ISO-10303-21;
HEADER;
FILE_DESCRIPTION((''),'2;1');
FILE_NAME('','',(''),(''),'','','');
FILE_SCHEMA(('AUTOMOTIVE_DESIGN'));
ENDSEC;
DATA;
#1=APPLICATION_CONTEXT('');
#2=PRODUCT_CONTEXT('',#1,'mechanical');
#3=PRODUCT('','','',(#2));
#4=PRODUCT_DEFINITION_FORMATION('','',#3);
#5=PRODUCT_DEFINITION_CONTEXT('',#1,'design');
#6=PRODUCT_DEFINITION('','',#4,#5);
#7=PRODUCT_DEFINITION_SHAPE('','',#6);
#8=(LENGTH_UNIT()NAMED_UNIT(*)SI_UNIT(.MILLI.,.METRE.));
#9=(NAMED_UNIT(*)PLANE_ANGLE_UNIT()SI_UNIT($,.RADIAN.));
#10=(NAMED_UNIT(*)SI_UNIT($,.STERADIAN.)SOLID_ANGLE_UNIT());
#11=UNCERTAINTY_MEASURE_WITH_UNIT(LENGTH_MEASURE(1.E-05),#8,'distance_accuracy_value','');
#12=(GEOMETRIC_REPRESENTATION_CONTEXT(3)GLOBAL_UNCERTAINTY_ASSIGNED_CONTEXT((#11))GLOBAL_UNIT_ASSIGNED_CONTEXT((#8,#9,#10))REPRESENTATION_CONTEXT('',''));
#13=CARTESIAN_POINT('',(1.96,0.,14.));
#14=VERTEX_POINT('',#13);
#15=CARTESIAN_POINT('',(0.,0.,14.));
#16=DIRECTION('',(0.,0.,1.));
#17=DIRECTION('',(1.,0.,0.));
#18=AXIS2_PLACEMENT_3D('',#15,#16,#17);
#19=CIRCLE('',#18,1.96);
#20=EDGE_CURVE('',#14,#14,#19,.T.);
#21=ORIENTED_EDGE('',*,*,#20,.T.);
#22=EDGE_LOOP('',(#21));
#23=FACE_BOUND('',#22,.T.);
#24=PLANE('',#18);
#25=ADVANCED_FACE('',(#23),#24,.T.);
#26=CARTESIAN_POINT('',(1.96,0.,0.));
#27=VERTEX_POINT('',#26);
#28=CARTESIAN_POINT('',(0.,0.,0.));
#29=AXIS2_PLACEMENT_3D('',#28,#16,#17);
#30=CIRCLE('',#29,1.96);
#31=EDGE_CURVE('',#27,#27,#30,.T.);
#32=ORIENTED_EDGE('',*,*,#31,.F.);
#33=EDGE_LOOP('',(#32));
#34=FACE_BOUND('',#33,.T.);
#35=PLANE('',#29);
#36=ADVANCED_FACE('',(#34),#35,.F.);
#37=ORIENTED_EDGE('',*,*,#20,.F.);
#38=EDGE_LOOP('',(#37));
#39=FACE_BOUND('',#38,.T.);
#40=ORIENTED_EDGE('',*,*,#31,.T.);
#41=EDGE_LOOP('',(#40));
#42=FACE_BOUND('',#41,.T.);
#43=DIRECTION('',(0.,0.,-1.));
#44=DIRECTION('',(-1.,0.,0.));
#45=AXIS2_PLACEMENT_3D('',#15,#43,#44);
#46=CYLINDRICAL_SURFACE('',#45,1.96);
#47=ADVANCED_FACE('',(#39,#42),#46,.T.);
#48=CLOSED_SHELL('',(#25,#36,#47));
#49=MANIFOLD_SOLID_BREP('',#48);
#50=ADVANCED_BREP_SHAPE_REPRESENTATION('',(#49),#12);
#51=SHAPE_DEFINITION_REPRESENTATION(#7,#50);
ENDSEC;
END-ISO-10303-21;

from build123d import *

# Parameters (mm, degrees)
SKIZZE1_R                       = 1.96
AUFSATZ_LINEAR_AUSTRAGEN1_DEPTH = 14


with BuildPart() as part:
    # Skizze1 → Aufsatz-Linear austragen1 (new body)
    with BuildSketch(Plane.XY):
        Circle(SKIZZE1_R)
    extrude(amount=AUFSATZ_LINEAR_AUSTRAGEN1_DEPTH)


solid = part.part
